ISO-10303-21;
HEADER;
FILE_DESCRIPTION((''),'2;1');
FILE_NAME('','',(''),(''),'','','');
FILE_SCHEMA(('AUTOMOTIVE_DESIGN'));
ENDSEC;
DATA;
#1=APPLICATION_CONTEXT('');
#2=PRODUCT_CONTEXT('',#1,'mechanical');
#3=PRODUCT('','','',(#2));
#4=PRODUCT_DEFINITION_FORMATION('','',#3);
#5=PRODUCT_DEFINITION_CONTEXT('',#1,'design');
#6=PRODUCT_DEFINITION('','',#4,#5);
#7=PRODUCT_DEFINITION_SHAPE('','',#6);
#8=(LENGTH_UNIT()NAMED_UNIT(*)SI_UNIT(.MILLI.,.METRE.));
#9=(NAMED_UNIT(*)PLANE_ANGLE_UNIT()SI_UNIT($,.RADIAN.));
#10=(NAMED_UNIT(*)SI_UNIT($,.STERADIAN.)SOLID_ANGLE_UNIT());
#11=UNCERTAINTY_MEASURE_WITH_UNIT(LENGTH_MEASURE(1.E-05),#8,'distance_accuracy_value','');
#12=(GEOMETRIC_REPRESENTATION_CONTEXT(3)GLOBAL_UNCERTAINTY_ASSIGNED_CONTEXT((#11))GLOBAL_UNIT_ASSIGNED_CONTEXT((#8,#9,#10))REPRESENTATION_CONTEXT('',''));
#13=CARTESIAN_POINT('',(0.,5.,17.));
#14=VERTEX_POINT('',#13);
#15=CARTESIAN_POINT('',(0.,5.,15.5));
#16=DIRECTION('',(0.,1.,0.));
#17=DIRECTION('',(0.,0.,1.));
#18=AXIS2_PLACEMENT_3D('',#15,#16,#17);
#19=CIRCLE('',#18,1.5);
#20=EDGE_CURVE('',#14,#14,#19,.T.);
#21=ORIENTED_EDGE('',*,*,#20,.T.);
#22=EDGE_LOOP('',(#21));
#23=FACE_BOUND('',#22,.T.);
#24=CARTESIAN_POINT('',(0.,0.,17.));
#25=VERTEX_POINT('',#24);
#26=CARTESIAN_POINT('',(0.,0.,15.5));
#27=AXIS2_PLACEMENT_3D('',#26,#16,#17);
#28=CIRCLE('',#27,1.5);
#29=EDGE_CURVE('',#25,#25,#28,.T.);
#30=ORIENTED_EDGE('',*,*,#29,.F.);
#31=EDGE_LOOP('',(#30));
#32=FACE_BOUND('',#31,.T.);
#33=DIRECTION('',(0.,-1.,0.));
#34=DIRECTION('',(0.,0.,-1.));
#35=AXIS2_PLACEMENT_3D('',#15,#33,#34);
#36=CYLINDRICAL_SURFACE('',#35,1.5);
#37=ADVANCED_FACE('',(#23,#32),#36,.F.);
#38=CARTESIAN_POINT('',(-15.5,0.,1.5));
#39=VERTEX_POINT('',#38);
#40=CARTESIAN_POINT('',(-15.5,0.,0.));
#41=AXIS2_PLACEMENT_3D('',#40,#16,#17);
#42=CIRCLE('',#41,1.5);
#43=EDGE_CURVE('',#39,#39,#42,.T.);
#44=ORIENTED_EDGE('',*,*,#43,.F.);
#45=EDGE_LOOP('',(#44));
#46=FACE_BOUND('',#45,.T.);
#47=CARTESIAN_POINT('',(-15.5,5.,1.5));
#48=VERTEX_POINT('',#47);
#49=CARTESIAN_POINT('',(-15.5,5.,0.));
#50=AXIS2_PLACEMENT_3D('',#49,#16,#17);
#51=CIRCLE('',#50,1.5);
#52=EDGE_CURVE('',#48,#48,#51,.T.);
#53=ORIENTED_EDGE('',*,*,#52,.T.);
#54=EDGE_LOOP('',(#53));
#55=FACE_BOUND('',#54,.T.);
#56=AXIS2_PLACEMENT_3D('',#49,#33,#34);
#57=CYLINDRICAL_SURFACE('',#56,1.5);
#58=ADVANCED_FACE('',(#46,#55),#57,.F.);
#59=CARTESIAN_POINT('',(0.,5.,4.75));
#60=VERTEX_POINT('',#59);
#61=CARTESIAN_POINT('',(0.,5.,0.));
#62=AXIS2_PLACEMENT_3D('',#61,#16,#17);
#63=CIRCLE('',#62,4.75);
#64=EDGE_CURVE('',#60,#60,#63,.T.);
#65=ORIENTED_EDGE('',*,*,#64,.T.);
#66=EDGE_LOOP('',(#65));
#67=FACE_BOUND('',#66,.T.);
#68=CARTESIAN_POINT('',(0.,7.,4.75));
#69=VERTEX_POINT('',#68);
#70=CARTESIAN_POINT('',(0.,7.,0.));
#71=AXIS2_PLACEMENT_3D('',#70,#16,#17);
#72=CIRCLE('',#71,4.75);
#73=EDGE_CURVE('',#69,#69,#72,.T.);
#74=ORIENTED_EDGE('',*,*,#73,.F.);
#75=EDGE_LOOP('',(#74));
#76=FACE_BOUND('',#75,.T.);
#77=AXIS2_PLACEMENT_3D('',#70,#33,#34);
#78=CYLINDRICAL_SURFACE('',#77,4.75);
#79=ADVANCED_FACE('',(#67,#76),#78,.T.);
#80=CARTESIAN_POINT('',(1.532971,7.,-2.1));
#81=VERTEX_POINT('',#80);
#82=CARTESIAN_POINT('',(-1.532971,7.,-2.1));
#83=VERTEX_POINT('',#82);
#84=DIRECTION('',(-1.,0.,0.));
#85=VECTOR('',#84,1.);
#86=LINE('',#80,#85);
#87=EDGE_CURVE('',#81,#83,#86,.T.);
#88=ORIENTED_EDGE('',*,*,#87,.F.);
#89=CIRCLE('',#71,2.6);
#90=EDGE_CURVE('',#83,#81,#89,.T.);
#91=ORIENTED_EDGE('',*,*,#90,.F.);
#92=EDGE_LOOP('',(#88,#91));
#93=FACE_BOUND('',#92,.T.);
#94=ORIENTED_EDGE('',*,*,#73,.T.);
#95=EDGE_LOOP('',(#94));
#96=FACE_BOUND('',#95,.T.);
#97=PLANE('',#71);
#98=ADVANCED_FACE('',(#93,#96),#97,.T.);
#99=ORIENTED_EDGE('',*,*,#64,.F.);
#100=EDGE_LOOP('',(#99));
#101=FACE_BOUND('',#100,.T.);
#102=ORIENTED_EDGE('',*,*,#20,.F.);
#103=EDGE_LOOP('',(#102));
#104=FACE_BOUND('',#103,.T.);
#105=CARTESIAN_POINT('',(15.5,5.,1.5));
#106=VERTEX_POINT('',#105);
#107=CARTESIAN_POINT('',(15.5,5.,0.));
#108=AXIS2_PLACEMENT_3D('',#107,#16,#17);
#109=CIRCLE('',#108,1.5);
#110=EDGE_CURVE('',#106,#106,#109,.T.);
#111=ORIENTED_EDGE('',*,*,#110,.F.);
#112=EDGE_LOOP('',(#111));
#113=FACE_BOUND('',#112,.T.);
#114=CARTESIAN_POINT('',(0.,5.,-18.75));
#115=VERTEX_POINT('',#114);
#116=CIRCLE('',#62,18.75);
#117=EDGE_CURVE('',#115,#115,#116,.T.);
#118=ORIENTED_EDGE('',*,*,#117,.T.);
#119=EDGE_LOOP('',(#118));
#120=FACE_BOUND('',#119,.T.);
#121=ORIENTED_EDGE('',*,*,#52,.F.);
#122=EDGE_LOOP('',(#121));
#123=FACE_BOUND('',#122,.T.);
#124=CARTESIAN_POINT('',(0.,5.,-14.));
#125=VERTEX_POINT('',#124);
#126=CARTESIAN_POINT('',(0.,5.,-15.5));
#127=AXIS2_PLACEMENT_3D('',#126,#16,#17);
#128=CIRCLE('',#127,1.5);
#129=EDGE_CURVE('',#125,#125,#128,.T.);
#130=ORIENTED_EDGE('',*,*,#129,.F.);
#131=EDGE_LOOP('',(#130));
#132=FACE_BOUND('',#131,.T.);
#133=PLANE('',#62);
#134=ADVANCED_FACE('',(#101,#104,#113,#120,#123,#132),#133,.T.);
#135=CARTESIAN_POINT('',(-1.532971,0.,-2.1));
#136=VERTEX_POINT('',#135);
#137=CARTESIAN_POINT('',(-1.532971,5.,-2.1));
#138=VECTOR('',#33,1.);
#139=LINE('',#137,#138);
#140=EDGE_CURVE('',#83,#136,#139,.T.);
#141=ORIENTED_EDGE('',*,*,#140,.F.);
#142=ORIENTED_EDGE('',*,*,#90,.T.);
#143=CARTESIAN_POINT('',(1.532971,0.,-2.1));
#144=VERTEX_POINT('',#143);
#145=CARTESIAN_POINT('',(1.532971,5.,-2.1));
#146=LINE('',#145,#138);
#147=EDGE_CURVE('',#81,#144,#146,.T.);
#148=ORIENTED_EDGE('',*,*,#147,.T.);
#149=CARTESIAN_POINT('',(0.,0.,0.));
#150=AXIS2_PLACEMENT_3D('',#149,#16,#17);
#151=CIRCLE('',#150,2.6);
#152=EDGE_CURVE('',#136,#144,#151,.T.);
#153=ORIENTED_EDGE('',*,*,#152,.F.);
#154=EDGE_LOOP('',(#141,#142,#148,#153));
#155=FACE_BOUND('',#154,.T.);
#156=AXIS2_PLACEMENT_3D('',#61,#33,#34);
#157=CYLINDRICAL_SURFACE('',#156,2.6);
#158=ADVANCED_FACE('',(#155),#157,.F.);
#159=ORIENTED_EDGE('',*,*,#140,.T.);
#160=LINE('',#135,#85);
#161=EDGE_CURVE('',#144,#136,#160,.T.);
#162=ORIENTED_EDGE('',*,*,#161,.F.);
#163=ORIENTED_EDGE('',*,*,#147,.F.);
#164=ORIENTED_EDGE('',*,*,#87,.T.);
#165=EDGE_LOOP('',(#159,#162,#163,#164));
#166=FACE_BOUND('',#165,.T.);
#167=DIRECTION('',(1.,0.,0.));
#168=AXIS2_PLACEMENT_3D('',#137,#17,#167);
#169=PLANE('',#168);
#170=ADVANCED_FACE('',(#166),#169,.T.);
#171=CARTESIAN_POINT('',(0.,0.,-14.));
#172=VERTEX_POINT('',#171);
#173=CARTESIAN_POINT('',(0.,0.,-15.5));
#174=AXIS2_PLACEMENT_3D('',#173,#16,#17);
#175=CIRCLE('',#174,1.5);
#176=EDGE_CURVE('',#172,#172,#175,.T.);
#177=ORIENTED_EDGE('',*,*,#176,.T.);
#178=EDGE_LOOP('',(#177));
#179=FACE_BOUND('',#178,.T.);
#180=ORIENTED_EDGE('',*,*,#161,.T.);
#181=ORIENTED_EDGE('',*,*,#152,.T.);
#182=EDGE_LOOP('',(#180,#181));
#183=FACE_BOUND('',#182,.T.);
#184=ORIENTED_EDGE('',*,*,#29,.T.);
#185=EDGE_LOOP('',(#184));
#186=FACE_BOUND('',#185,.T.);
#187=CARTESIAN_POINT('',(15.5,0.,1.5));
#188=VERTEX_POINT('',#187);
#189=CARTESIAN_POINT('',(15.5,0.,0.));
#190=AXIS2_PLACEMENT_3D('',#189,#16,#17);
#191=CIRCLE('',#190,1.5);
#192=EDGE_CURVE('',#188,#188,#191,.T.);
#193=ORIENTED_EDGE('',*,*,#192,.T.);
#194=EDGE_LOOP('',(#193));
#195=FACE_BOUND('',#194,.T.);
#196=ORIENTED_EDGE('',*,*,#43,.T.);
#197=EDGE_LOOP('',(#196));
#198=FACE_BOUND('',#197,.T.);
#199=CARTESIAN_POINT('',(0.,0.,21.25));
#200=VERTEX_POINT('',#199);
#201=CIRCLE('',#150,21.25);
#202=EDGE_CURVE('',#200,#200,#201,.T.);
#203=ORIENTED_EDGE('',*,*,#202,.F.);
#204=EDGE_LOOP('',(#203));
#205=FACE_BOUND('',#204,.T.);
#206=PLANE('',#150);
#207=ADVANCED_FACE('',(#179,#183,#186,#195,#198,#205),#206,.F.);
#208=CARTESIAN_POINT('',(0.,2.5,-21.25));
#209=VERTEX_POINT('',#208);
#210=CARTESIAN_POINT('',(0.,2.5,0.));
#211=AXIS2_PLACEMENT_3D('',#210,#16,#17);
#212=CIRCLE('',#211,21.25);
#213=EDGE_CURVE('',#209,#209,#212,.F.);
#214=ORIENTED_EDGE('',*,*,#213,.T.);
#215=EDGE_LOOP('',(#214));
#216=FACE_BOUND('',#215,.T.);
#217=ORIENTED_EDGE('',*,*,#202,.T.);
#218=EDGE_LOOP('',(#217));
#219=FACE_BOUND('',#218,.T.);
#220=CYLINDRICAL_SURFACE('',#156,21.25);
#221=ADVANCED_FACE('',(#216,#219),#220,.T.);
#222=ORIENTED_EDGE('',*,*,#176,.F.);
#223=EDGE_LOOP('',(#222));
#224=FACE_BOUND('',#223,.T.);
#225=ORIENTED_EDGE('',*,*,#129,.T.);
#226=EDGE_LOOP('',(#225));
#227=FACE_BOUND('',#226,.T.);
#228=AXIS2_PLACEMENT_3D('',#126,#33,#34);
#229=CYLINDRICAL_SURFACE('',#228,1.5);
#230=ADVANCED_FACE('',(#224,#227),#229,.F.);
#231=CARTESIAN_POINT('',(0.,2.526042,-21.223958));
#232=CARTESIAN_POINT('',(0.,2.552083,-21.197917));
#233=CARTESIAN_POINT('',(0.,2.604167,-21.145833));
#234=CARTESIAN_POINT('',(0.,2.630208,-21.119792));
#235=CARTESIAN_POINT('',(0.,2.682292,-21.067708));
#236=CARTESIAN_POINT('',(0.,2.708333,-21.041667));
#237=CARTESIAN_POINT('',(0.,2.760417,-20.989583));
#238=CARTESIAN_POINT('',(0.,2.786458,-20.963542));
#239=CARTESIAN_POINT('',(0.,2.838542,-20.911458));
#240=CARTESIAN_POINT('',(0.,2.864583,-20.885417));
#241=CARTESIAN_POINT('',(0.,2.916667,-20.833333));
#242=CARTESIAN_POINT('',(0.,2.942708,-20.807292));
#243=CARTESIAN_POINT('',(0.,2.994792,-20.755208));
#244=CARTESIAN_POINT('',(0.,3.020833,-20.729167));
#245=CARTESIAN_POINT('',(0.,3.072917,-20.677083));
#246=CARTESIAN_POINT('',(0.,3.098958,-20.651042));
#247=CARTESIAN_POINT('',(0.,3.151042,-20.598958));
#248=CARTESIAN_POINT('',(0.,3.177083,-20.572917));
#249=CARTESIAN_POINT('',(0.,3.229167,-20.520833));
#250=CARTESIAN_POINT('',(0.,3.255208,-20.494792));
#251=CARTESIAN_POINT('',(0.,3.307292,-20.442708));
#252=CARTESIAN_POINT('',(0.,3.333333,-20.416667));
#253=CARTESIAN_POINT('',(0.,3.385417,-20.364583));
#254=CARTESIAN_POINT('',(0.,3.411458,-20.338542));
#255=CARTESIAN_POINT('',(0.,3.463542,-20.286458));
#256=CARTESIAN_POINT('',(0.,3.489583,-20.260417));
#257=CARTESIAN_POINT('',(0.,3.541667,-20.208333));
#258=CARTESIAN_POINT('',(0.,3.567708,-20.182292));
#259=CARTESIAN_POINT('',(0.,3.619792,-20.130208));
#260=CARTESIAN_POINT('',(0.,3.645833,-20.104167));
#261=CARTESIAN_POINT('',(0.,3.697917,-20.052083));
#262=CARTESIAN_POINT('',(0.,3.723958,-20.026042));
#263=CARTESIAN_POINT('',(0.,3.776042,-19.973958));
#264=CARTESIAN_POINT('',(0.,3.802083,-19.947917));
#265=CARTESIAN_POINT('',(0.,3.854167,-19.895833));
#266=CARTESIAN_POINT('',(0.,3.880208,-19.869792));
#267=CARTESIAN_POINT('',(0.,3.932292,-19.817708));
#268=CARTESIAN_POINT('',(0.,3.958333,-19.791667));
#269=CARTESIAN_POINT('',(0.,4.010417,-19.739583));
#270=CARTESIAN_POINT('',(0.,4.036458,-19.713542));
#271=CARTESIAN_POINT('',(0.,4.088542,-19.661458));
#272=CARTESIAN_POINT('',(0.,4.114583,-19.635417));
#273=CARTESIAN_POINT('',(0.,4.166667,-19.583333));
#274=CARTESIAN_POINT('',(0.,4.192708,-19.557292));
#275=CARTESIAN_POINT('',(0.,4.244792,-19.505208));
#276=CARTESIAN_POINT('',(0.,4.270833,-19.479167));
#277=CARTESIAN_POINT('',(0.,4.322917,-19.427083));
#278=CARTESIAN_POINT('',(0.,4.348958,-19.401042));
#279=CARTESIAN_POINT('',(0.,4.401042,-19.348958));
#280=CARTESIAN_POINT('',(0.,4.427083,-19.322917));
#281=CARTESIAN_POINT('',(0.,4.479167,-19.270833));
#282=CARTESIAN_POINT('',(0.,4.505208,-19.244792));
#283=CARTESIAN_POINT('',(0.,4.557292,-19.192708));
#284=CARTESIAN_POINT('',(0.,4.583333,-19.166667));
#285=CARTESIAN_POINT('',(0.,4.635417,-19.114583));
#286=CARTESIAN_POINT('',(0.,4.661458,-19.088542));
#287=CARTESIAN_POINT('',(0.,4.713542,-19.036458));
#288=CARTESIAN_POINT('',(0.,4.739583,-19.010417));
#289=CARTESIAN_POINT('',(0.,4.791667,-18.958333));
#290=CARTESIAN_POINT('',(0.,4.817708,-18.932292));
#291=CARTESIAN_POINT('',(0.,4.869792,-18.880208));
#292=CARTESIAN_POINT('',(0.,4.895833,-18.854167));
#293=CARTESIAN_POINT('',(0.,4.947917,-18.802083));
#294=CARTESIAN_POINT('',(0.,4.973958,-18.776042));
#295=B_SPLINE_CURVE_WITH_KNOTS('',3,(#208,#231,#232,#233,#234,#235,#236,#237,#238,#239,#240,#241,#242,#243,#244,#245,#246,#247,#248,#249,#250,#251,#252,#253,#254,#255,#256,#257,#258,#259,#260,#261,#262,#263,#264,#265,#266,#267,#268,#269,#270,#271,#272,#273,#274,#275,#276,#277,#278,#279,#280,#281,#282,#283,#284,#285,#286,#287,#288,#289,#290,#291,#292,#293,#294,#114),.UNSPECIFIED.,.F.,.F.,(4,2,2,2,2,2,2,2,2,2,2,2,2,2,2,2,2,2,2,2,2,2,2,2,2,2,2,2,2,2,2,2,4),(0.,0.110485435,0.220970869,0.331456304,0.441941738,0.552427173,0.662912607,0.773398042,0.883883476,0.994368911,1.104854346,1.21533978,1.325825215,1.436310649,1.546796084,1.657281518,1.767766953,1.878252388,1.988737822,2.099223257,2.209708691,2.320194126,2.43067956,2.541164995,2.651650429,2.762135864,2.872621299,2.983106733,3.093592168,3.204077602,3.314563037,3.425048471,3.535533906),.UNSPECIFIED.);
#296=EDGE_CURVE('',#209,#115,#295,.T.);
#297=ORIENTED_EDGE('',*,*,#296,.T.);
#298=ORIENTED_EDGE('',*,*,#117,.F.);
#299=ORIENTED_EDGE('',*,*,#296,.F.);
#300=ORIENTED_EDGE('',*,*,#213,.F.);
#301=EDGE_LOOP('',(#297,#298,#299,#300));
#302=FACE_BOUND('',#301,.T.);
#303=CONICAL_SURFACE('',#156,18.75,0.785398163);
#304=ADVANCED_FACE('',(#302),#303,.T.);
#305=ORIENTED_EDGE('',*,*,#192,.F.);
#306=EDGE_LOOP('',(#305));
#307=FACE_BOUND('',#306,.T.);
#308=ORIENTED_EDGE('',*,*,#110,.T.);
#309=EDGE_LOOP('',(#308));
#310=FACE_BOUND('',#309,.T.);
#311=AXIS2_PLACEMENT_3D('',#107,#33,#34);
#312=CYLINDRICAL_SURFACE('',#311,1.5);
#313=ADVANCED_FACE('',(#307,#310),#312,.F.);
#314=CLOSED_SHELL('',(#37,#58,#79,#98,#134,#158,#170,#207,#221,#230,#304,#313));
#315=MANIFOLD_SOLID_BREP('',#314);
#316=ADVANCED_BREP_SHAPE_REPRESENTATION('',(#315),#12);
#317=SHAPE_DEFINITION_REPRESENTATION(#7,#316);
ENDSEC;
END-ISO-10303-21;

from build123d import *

# Parameters (mm, degrees)
SKETCH1_R           = 21.25
SKETCH1_R_2         = 1.5
BOSS_EXTRUDE1_DEPTH = 5
CHAMFER1_SIZE       = 2.5
SKETCH2_R           = 4.75
BOSS_EXTRUDE2_DEPTH = 2


with BuildPart() as part:
    # Sketch1 → Boss-Extrude1 (new body)
    with BuildSketch(Plane(origin=(0, 0, 0), x_dir=(1, 0, 0), z_dir=(0, 1, 0))):
        with Locations(Location((0, 0, 0), (0, 0, 270))):
            Circle(SKETCH1_R)
        with Locations(Location((0, 15.5, 0), (0, 0, 270))):
            Circle(SKETCH1_R_2, mode=Mode.SUBTRACT)
        with Locations(Location((15.5, 0, 0), (0, 0, 270))):
            Circle(SKETCH1_R_2, mode=Mode.SUBTRACT)
        with Locations(Location((0, -15.5, 0), (0, 0, 270))):
            Circle(SKETCH1_R_2, mode=Mode.SUBTRACT)
        with Locations(Location((-15.5, 0, 0), (0, 0, 270))):
            Circle(SKETCH1_R_2, mode=Mode.SUBTRACT)
        with BuildLine():
            Line((-1.532970972, 2.1), (1.532970972, 2.1))
            ThreePointArc((1.532970972, 2.1), (0, -2.6), (-1.532970972, 2.1))
        make_face(mode=Mode.SUBTRACT)
    extrude(amount=BOSS_EXTRUDE1_DEPTH)

    # Chamfer1
    chamfer1_edges = [part.edges().sort_by_distance(p)[0] for p in [
        (0, 5, -21.25),
    ]]
    chamfer(chamfer1_edges, length=CHAMFER1_SIZE)

    # Sketch2 → Boss-Extrude2 (add)
    with BuildSketch(Plane(origin=(0, 5, 0), x_dir=(1, 0, 0), z_dir=(0, 1, 0))):
        with Locations(Location((0, 0, 0), (0, 0, 270))):
            Circle(SKETCH2_R)
        with BuildLine():
            Line((1.532970972, 2.1), (-1.532970972, 2.1))
            ThreePointArc((-1.532970972, 2.1), (0, -2.6), (1.532970972, 2.1))
        make_face(mode=Mode.SUBTRACT)
    extrude(amount=BOSS_EXTRUDE2_DEPTH)


solid = part.part
